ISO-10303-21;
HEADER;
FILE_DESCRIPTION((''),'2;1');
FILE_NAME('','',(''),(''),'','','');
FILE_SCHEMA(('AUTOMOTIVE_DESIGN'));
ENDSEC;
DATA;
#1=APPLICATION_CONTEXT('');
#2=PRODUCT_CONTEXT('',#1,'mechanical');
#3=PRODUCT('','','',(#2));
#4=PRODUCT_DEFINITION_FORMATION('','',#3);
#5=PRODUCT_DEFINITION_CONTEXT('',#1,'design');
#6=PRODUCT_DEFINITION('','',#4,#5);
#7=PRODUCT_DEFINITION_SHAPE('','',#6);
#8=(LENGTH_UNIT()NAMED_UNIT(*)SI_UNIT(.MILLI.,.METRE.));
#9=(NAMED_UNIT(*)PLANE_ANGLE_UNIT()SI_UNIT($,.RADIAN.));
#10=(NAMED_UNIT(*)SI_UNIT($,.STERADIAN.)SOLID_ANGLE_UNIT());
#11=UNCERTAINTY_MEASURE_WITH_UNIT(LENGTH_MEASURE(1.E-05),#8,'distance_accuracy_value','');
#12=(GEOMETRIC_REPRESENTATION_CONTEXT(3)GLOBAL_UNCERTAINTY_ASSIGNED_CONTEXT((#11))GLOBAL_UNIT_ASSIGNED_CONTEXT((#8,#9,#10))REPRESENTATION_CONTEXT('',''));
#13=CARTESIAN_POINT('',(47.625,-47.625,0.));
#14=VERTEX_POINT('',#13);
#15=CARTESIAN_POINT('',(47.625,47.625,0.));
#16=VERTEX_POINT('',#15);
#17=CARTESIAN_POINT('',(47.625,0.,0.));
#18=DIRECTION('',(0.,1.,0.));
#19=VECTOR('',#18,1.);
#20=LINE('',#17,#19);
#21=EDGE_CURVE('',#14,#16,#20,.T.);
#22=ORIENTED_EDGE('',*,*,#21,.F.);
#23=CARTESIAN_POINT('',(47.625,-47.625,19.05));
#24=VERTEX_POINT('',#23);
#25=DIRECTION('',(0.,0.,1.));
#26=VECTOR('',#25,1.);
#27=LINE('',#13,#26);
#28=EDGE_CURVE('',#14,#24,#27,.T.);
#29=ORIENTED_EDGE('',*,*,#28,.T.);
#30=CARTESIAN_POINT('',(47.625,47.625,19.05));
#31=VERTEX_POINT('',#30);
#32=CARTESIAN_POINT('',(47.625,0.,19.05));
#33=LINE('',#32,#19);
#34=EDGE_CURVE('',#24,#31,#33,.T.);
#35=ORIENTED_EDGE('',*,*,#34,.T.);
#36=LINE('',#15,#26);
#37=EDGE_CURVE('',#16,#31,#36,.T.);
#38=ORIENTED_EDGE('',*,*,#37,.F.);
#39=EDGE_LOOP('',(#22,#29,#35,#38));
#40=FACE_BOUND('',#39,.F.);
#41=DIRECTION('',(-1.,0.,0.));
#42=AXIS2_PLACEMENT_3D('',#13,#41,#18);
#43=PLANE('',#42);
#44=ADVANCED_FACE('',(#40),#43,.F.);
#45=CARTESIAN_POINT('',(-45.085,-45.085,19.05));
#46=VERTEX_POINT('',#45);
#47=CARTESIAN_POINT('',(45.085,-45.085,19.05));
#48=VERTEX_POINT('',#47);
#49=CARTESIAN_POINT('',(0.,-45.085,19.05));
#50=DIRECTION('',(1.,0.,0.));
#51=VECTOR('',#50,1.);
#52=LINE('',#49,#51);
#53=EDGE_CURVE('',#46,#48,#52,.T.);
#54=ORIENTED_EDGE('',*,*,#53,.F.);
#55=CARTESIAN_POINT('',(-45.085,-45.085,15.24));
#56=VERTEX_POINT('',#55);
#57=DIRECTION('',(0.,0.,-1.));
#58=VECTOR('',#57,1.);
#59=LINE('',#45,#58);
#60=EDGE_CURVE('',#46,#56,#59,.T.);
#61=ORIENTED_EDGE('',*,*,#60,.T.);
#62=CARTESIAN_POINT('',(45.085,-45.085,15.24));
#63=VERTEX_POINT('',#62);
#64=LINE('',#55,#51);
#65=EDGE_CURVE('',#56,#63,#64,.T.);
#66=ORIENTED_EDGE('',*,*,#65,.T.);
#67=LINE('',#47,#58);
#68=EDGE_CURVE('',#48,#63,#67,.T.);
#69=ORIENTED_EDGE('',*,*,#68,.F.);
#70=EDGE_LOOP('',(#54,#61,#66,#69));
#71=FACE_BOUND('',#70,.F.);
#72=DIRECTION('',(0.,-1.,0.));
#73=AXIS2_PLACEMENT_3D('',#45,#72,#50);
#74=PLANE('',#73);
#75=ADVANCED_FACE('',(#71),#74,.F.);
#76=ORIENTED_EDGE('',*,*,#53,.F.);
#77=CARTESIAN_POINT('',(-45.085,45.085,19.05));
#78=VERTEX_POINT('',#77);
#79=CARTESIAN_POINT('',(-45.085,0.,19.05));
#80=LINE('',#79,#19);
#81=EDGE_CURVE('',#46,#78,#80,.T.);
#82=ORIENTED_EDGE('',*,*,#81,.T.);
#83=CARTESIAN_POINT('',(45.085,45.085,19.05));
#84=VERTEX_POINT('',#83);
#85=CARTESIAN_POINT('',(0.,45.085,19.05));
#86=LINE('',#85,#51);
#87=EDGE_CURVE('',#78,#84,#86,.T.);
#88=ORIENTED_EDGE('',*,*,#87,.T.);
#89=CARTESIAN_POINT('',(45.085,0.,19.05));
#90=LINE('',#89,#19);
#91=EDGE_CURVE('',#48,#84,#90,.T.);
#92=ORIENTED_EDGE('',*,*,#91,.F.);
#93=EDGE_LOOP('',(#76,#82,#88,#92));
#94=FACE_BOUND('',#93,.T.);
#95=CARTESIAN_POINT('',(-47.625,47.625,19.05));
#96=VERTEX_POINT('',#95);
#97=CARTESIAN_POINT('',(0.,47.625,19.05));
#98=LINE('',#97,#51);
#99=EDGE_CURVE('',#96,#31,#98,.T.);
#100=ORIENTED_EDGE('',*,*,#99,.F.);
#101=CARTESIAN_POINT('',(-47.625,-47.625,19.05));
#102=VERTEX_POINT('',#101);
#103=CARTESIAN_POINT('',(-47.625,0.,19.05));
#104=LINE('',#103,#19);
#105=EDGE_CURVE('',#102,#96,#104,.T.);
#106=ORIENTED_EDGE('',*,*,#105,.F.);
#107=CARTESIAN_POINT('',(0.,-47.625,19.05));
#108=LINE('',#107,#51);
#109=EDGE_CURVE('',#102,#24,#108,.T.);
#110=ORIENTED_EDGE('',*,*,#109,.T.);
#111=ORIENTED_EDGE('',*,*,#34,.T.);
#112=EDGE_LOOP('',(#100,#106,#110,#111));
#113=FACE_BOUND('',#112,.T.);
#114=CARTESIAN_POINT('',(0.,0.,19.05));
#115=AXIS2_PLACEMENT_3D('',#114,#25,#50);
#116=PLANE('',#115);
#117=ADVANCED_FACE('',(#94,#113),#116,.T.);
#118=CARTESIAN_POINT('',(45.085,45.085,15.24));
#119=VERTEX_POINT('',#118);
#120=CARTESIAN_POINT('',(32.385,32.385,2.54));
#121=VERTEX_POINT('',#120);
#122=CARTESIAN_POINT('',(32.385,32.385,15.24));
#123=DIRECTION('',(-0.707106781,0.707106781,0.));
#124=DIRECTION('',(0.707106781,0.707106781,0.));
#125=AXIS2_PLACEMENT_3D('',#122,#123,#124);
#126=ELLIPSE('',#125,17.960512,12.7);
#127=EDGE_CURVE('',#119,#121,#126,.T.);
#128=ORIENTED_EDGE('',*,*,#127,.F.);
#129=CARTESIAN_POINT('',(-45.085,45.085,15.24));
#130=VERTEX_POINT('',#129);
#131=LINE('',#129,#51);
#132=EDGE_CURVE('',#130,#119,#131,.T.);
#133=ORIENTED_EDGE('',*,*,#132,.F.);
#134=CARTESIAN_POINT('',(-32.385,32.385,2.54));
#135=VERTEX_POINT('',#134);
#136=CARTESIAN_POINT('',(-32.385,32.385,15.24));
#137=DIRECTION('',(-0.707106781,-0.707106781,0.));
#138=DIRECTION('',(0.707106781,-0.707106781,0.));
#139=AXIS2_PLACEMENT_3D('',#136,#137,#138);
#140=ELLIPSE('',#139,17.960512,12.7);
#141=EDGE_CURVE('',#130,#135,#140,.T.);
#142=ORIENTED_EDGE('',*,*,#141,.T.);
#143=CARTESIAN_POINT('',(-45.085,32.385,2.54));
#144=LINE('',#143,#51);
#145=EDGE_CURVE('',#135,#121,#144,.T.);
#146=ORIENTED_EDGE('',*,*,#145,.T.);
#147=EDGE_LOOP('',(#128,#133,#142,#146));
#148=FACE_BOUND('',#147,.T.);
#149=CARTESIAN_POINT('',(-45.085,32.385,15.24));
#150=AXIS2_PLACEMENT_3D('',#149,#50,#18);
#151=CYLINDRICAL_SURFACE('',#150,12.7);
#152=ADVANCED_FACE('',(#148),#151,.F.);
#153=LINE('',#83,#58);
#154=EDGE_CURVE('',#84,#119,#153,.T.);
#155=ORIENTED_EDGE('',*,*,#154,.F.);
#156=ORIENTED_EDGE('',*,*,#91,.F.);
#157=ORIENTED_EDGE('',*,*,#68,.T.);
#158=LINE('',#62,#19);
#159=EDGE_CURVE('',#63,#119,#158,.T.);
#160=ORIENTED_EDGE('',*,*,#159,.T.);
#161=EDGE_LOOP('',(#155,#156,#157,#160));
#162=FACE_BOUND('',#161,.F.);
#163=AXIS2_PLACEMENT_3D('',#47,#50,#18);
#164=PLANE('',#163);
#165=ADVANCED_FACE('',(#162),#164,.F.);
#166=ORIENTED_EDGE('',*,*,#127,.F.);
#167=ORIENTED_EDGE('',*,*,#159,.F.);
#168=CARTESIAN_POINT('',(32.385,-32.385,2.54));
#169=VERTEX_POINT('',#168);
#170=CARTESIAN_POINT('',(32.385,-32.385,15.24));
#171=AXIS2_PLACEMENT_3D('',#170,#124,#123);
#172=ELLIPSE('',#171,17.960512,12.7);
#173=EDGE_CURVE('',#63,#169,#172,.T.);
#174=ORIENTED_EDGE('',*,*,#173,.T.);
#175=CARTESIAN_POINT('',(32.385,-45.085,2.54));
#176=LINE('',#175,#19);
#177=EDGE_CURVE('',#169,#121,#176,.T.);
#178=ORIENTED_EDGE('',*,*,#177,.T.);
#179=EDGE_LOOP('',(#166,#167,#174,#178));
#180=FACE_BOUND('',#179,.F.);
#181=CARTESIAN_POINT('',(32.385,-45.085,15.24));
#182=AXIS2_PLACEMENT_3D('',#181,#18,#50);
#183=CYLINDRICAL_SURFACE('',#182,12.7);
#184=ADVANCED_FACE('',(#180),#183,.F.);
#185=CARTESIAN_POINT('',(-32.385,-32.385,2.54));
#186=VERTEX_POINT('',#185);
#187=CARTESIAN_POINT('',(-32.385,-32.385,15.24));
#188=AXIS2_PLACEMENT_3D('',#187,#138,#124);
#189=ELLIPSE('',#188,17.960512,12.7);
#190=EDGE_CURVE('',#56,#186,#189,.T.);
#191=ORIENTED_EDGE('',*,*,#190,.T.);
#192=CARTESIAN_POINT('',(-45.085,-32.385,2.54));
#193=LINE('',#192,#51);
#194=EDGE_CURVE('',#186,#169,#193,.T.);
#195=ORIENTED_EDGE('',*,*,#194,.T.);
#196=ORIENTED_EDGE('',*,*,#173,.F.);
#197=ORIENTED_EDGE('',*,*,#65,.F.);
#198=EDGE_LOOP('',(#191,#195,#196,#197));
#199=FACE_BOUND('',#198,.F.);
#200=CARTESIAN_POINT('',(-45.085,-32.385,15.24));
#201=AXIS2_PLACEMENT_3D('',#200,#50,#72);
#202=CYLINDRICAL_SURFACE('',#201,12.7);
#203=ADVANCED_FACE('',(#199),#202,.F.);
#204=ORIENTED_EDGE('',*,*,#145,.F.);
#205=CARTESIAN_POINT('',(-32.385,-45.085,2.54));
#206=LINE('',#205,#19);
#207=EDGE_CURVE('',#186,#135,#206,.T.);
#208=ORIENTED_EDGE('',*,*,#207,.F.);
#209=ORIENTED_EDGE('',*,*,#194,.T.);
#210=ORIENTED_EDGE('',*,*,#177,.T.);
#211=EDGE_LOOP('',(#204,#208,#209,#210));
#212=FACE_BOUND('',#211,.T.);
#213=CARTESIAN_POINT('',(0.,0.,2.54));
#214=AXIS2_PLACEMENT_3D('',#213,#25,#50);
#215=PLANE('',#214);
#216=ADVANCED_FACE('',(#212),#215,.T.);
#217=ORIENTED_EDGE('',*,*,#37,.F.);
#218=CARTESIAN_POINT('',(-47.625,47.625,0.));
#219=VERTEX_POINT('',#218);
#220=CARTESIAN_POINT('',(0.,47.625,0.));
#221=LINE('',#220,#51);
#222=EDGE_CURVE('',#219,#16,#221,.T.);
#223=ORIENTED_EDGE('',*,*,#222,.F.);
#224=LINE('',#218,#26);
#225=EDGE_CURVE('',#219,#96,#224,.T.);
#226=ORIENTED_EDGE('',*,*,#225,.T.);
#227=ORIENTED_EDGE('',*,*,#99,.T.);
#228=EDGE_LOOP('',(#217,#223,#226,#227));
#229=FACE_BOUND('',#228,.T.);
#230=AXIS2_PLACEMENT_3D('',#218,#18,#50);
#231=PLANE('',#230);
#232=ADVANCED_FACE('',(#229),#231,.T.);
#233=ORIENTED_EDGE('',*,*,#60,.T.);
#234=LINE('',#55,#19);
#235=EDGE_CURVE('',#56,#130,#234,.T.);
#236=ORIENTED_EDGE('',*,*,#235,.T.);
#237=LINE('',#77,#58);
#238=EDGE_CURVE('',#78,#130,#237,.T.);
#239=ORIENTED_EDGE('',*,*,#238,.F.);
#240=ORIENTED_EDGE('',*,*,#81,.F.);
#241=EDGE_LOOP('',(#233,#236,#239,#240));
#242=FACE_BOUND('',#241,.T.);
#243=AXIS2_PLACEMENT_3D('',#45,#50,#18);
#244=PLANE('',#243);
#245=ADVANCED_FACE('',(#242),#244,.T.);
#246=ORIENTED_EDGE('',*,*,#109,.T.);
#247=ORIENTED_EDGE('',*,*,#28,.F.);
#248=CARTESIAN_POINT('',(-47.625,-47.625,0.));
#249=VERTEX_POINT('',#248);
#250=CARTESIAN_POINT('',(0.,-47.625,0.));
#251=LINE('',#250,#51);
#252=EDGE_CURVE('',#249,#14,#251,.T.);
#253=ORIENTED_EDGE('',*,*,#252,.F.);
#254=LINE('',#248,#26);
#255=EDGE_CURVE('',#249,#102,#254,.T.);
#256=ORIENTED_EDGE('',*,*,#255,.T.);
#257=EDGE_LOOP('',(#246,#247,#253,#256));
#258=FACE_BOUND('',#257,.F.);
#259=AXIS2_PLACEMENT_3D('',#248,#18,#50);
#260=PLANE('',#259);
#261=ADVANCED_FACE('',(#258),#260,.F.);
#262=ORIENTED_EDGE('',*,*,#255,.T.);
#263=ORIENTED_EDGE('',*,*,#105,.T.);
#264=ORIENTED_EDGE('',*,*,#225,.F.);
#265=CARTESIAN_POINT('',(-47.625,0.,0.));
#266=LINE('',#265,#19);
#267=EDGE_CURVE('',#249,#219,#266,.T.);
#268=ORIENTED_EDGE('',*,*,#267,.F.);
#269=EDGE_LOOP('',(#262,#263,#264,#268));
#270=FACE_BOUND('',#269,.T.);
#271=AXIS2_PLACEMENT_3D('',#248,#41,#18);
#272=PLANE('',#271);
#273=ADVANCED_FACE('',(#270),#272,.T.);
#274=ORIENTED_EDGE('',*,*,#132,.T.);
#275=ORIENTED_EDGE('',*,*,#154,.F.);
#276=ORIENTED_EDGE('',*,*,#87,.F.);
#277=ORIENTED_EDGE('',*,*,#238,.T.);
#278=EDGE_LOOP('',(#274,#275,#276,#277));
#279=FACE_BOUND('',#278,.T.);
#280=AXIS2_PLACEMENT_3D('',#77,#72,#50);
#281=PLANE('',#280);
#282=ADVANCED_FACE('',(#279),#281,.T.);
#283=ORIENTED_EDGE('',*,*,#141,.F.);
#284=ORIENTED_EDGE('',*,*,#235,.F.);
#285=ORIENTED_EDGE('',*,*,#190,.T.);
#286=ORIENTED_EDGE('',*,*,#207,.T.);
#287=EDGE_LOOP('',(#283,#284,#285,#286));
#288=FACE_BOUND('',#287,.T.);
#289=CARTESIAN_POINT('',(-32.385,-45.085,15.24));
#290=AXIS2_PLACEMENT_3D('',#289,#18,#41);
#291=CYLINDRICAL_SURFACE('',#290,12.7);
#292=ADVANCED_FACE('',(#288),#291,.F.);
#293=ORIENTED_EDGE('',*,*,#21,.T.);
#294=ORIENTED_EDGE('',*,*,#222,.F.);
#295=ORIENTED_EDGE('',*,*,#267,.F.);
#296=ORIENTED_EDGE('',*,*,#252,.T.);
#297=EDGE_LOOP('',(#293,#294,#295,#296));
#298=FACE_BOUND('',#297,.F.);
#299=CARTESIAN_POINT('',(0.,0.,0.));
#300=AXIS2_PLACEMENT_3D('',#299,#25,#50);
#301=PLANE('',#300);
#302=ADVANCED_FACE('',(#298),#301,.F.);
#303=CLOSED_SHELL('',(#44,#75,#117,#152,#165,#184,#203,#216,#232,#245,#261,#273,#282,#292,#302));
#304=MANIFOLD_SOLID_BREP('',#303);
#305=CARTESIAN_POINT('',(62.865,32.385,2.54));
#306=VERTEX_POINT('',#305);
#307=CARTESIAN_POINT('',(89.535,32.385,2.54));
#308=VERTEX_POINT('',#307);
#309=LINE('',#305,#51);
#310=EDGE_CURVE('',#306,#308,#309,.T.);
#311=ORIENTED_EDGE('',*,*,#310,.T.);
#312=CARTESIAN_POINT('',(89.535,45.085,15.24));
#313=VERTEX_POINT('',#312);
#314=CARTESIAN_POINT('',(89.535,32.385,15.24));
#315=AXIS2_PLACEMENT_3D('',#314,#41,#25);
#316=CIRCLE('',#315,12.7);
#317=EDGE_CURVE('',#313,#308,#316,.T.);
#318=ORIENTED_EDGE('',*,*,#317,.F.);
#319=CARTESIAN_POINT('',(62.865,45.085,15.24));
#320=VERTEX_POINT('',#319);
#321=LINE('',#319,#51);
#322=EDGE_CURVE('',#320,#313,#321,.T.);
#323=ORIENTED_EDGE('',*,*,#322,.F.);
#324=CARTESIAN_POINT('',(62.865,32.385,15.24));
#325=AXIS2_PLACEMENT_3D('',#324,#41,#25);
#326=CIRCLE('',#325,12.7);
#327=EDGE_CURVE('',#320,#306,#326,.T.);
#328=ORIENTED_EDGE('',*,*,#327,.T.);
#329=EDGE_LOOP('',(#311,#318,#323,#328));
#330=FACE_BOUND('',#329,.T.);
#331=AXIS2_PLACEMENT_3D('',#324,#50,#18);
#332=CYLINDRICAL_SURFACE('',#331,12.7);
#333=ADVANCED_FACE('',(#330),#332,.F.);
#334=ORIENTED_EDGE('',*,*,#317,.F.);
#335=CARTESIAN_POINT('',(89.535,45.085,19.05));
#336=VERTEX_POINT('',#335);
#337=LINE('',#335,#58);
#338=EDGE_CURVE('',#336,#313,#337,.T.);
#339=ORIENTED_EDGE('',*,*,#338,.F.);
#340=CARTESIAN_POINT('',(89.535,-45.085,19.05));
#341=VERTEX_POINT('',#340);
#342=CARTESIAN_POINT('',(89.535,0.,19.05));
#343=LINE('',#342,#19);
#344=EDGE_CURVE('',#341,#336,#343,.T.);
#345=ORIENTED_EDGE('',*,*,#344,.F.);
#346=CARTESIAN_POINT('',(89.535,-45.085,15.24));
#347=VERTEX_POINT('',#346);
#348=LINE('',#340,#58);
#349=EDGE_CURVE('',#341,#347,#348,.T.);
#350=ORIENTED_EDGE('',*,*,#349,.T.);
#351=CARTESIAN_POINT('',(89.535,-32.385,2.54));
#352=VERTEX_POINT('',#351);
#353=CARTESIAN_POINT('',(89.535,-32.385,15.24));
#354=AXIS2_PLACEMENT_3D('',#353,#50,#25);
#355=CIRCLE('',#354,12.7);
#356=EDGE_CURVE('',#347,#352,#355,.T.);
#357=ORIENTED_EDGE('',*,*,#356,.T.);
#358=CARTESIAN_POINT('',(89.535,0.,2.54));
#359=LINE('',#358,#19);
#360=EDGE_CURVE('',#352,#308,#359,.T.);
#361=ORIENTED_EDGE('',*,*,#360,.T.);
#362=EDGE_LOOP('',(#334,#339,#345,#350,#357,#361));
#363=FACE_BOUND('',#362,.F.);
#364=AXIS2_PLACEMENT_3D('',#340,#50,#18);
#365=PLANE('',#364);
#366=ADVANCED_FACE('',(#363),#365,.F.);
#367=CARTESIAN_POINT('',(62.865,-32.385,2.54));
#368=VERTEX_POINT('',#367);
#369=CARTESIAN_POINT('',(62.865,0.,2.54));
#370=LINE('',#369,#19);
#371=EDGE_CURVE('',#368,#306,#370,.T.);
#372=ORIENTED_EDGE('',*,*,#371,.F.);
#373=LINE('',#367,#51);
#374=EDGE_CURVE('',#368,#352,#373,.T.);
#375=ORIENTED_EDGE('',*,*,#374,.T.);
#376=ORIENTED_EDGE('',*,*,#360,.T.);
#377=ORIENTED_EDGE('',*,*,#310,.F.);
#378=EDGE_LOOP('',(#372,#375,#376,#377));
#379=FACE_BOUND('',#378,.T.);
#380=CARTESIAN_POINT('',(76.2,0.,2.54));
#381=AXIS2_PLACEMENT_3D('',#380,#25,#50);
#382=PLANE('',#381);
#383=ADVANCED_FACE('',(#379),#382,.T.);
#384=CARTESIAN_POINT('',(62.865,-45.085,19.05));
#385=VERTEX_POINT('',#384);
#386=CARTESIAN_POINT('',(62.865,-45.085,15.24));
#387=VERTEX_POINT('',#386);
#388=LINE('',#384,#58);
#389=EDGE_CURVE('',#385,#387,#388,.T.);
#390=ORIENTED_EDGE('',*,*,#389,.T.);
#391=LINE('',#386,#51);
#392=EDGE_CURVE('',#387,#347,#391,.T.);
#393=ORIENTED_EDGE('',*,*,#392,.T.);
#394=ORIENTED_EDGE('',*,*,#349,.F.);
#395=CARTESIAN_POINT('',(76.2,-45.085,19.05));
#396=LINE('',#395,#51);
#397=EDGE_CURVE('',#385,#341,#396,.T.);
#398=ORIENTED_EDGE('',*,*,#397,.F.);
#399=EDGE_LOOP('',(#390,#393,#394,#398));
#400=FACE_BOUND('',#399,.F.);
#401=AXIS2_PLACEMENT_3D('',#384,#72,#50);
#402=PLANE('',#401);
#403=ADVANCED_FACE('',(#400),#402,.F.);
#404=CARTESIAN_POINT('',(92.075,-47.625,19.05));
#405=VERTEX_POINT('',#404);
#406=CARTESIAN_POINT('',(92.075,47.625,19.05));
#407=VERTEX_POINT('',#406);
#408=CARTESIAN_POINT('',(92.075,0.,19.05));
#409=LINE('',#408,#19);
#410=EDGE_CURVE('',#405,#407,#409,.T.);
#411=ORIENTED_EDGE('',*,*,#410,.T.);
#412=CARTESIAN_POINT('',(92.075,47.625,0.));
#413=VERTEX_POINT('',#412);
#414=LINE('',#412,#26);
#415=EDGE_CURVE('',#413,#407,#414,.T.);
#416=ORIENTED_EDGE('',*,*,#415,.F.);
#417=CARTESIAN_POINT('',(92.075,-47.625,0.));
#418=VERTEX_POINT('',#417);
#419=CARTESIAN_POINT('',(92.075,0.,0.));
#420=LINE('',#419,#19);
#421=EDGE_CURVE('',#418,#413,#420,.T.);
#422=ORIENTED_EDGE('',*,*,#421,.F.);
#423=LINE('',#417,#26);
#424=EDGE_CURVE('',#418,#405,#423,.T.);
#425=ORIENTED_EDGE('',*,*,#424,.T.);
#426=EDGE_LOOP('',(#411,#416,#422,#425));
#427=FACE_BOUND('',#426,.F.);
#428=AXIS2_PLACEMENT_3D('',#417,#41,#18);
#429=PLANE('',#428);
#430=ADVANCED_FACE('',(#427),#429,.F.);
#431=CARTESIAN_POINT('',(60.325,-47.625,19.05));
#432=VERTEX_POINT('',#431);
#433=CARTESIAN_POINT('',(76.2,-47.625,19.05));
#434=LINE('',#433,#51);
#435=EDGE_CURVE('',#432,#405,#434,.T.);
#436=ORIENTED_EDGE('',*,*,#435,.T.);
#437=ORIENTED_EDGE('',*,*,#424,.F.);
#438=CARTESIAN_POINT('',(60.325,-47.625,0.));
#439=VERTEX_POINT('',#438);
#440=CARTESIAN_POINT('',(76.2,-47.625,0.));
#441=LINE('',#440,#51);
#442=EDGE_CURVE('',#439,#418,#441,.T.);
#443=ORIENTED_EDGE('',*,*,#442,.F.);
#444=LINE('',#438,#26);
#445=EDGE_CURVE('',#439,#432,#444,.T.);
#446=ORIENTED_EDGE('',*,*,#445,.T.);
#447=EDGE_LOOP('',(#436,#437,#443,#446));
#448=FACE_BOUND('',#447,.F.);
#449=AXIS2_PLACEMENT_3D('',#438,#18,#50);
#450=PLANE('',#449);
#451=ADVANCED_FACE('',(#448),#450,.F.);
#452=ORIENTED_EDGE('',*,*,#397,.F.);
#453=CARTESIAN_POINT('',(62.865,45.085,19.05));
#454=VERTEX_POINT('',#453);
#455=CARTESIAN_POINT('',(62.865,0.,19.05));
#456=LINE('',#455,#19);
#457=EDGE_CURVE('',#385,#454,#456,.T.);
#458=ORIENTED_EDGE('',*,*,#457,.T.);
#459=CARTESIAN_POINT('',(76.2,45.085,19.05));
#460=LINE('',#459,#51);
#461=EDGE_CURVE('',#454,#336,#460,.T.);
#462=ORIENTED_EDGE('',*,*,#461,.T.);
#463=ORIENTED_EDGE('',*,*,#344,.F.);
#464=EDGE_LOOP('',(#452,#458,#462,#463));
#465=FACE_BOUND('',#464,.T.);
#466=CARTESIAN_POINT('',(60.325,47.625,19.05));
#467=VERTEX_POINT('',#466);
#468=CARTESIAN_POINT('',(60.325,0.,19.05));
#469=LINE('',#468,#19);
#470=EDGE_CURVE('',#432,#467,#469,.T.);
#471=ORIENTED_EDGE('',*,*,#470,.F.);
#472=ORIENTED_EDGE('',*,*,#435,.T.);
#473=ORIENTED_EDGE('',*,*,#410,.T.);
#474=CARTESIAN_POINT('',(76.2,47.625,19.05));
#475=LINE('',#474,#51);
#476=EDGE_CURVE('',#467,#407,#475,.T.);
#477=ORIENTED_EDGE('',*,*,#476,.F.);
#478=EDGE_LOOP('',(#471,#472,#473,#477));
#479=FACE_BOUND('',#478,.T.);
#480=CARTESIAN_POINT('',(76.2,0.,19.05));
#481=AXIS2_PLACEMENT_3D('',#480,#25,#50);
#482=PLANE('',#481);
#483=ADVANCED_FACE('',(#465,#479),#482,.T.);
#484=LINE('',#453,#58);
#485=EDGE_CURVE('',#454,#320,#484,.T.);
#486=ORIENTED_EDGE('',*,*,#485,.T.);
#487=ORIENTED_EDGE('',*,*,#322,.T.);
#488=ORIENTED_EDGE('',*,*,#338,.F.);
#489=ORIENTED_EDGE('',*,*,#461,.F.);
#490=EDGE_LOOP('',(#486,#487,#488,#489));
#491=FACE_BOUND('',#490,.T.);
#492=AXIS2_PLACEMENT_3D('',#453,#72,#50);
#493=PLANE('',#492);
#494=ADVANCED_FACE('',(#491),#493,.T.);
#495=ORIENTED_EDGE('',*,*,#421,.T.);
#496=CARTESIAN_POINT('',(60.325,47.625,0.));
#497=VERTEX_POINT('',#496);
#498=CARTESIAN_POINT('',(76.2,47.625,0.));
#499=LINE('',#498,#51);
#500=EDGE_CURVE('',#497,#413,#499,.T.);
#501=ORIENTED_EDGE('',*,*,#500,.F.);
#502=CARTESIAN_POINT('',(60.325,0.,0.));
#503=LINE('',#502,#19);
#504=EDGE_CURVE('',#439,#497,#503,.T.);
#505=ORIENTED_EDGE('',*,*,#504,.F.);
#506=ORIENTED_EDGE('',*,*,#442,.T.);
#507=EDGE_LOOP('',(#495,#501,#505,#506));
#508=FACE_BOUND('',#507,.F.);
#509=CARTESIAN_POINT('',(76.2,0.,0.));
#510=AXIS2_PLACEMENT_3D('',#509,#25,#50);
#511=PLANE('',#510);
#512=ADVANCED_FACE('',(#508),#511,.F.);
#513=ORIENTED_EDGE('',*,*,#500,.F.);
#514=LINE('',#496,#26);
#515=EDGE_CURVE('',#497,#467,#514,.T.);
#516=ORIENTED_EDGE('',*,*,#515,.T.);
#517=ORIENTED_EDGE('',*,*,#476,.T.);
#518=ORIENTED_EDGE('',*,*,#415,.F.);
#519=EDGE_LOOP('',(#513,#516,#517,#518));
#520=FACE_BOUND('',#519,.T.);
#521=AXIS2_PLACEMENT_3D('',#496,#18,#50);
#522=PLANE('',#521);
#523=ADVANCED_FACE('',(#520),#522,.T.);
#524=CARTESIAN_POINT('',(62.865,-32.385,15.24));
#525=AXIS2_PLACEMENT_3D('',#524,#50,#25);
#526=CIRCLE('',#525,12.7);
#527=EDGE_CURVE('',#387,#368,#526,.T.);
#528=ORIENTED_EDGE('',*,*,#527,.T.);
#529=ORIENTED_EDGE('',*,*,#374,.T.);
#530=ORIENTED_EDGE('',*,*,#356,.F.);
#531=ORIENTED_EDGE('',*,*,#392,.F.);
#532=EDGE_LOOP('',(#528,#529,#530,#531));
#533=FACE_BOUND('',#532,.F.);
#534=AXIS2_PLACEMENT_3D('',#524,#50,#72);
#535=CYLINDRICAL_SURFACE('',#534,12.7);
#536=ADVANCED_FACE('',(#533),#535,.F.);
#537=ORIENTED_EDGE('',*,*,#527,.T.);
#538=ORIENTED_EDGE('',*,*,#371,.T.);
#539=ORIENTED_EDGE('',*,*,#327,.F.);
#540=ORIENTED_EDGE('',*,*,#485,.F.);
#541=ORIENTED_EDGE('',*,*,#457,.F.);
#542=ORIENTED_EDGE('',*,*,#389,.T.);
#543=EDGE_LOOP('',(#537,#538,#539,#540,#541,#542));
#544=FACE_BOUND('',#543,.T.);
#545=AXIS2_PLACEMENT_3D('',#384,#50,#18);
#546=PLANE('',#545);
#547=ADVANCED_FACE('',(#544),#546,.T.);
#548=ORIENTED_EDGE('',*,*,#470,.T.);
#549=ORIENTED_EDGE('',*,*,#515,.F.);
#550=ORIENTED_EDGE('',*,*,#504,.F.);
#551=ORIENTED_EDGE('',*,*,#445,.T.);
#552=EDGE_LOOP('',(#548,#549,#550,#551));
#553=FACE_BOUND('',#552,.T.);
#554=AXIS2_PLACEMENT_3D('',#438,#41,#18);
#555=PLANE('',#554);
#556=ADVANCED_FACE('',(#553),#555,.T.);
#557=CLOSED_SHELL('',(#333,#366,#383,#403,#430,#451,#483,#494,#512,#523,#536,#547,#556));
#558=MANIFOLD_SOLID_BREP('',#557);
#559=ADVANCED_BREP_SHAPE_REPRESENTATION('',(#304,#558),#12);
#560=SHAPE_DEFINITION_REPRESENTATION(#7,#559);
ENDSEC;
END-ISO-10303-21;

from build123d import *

# Parameters (mm, degrees)
F0_W     = 95.25
F0_H     = 95.25
F0_W_2   = 31.75
F1_DEPTH = 19.05
F2_W     = 90.17
F2_H     = 90.17
F2_W_2   = 26.67
F3_DEPTH = 16.51
F4_R     = 12.7


with BuildPart() as f1:
    # F0 (on Top) → F1 (new body)
    with BuildSketch(Plane.XY):
        Rectangle(F0_W, F0_H)
        with Locations((76.2, 0)):
            Rectangle(F0_W_2, F0_H)
    extrude(amount=F1_DEPTH)

    # F2 (on face) → F3 (cut)
    with BuildSketch(Plane.XY.offset(19.05)):
        Rectangle(F2_W, F2_H)
        with Locations((76.2, 0)):
            Rectangle(F2_W_2, F2_H)
    extrude(amount=-F3_DEPTH, mode=Mode.SUBTRACT)

    # F4
    f4_edges = [f1.edges().sort_by_distance(p)[0] for p in [
        (45.085, 0, 2.54),
        (0, 45.085, 2.54),
        (-45.085, 0, 2.54),
        (0, -45.085, 2.54),
        (76.2, 45.085, 2.54),
        (76.2, -45.085, 2.54),
    ]]
    fillet(f4_edges, radius=F4_R)


solid = f1.part
